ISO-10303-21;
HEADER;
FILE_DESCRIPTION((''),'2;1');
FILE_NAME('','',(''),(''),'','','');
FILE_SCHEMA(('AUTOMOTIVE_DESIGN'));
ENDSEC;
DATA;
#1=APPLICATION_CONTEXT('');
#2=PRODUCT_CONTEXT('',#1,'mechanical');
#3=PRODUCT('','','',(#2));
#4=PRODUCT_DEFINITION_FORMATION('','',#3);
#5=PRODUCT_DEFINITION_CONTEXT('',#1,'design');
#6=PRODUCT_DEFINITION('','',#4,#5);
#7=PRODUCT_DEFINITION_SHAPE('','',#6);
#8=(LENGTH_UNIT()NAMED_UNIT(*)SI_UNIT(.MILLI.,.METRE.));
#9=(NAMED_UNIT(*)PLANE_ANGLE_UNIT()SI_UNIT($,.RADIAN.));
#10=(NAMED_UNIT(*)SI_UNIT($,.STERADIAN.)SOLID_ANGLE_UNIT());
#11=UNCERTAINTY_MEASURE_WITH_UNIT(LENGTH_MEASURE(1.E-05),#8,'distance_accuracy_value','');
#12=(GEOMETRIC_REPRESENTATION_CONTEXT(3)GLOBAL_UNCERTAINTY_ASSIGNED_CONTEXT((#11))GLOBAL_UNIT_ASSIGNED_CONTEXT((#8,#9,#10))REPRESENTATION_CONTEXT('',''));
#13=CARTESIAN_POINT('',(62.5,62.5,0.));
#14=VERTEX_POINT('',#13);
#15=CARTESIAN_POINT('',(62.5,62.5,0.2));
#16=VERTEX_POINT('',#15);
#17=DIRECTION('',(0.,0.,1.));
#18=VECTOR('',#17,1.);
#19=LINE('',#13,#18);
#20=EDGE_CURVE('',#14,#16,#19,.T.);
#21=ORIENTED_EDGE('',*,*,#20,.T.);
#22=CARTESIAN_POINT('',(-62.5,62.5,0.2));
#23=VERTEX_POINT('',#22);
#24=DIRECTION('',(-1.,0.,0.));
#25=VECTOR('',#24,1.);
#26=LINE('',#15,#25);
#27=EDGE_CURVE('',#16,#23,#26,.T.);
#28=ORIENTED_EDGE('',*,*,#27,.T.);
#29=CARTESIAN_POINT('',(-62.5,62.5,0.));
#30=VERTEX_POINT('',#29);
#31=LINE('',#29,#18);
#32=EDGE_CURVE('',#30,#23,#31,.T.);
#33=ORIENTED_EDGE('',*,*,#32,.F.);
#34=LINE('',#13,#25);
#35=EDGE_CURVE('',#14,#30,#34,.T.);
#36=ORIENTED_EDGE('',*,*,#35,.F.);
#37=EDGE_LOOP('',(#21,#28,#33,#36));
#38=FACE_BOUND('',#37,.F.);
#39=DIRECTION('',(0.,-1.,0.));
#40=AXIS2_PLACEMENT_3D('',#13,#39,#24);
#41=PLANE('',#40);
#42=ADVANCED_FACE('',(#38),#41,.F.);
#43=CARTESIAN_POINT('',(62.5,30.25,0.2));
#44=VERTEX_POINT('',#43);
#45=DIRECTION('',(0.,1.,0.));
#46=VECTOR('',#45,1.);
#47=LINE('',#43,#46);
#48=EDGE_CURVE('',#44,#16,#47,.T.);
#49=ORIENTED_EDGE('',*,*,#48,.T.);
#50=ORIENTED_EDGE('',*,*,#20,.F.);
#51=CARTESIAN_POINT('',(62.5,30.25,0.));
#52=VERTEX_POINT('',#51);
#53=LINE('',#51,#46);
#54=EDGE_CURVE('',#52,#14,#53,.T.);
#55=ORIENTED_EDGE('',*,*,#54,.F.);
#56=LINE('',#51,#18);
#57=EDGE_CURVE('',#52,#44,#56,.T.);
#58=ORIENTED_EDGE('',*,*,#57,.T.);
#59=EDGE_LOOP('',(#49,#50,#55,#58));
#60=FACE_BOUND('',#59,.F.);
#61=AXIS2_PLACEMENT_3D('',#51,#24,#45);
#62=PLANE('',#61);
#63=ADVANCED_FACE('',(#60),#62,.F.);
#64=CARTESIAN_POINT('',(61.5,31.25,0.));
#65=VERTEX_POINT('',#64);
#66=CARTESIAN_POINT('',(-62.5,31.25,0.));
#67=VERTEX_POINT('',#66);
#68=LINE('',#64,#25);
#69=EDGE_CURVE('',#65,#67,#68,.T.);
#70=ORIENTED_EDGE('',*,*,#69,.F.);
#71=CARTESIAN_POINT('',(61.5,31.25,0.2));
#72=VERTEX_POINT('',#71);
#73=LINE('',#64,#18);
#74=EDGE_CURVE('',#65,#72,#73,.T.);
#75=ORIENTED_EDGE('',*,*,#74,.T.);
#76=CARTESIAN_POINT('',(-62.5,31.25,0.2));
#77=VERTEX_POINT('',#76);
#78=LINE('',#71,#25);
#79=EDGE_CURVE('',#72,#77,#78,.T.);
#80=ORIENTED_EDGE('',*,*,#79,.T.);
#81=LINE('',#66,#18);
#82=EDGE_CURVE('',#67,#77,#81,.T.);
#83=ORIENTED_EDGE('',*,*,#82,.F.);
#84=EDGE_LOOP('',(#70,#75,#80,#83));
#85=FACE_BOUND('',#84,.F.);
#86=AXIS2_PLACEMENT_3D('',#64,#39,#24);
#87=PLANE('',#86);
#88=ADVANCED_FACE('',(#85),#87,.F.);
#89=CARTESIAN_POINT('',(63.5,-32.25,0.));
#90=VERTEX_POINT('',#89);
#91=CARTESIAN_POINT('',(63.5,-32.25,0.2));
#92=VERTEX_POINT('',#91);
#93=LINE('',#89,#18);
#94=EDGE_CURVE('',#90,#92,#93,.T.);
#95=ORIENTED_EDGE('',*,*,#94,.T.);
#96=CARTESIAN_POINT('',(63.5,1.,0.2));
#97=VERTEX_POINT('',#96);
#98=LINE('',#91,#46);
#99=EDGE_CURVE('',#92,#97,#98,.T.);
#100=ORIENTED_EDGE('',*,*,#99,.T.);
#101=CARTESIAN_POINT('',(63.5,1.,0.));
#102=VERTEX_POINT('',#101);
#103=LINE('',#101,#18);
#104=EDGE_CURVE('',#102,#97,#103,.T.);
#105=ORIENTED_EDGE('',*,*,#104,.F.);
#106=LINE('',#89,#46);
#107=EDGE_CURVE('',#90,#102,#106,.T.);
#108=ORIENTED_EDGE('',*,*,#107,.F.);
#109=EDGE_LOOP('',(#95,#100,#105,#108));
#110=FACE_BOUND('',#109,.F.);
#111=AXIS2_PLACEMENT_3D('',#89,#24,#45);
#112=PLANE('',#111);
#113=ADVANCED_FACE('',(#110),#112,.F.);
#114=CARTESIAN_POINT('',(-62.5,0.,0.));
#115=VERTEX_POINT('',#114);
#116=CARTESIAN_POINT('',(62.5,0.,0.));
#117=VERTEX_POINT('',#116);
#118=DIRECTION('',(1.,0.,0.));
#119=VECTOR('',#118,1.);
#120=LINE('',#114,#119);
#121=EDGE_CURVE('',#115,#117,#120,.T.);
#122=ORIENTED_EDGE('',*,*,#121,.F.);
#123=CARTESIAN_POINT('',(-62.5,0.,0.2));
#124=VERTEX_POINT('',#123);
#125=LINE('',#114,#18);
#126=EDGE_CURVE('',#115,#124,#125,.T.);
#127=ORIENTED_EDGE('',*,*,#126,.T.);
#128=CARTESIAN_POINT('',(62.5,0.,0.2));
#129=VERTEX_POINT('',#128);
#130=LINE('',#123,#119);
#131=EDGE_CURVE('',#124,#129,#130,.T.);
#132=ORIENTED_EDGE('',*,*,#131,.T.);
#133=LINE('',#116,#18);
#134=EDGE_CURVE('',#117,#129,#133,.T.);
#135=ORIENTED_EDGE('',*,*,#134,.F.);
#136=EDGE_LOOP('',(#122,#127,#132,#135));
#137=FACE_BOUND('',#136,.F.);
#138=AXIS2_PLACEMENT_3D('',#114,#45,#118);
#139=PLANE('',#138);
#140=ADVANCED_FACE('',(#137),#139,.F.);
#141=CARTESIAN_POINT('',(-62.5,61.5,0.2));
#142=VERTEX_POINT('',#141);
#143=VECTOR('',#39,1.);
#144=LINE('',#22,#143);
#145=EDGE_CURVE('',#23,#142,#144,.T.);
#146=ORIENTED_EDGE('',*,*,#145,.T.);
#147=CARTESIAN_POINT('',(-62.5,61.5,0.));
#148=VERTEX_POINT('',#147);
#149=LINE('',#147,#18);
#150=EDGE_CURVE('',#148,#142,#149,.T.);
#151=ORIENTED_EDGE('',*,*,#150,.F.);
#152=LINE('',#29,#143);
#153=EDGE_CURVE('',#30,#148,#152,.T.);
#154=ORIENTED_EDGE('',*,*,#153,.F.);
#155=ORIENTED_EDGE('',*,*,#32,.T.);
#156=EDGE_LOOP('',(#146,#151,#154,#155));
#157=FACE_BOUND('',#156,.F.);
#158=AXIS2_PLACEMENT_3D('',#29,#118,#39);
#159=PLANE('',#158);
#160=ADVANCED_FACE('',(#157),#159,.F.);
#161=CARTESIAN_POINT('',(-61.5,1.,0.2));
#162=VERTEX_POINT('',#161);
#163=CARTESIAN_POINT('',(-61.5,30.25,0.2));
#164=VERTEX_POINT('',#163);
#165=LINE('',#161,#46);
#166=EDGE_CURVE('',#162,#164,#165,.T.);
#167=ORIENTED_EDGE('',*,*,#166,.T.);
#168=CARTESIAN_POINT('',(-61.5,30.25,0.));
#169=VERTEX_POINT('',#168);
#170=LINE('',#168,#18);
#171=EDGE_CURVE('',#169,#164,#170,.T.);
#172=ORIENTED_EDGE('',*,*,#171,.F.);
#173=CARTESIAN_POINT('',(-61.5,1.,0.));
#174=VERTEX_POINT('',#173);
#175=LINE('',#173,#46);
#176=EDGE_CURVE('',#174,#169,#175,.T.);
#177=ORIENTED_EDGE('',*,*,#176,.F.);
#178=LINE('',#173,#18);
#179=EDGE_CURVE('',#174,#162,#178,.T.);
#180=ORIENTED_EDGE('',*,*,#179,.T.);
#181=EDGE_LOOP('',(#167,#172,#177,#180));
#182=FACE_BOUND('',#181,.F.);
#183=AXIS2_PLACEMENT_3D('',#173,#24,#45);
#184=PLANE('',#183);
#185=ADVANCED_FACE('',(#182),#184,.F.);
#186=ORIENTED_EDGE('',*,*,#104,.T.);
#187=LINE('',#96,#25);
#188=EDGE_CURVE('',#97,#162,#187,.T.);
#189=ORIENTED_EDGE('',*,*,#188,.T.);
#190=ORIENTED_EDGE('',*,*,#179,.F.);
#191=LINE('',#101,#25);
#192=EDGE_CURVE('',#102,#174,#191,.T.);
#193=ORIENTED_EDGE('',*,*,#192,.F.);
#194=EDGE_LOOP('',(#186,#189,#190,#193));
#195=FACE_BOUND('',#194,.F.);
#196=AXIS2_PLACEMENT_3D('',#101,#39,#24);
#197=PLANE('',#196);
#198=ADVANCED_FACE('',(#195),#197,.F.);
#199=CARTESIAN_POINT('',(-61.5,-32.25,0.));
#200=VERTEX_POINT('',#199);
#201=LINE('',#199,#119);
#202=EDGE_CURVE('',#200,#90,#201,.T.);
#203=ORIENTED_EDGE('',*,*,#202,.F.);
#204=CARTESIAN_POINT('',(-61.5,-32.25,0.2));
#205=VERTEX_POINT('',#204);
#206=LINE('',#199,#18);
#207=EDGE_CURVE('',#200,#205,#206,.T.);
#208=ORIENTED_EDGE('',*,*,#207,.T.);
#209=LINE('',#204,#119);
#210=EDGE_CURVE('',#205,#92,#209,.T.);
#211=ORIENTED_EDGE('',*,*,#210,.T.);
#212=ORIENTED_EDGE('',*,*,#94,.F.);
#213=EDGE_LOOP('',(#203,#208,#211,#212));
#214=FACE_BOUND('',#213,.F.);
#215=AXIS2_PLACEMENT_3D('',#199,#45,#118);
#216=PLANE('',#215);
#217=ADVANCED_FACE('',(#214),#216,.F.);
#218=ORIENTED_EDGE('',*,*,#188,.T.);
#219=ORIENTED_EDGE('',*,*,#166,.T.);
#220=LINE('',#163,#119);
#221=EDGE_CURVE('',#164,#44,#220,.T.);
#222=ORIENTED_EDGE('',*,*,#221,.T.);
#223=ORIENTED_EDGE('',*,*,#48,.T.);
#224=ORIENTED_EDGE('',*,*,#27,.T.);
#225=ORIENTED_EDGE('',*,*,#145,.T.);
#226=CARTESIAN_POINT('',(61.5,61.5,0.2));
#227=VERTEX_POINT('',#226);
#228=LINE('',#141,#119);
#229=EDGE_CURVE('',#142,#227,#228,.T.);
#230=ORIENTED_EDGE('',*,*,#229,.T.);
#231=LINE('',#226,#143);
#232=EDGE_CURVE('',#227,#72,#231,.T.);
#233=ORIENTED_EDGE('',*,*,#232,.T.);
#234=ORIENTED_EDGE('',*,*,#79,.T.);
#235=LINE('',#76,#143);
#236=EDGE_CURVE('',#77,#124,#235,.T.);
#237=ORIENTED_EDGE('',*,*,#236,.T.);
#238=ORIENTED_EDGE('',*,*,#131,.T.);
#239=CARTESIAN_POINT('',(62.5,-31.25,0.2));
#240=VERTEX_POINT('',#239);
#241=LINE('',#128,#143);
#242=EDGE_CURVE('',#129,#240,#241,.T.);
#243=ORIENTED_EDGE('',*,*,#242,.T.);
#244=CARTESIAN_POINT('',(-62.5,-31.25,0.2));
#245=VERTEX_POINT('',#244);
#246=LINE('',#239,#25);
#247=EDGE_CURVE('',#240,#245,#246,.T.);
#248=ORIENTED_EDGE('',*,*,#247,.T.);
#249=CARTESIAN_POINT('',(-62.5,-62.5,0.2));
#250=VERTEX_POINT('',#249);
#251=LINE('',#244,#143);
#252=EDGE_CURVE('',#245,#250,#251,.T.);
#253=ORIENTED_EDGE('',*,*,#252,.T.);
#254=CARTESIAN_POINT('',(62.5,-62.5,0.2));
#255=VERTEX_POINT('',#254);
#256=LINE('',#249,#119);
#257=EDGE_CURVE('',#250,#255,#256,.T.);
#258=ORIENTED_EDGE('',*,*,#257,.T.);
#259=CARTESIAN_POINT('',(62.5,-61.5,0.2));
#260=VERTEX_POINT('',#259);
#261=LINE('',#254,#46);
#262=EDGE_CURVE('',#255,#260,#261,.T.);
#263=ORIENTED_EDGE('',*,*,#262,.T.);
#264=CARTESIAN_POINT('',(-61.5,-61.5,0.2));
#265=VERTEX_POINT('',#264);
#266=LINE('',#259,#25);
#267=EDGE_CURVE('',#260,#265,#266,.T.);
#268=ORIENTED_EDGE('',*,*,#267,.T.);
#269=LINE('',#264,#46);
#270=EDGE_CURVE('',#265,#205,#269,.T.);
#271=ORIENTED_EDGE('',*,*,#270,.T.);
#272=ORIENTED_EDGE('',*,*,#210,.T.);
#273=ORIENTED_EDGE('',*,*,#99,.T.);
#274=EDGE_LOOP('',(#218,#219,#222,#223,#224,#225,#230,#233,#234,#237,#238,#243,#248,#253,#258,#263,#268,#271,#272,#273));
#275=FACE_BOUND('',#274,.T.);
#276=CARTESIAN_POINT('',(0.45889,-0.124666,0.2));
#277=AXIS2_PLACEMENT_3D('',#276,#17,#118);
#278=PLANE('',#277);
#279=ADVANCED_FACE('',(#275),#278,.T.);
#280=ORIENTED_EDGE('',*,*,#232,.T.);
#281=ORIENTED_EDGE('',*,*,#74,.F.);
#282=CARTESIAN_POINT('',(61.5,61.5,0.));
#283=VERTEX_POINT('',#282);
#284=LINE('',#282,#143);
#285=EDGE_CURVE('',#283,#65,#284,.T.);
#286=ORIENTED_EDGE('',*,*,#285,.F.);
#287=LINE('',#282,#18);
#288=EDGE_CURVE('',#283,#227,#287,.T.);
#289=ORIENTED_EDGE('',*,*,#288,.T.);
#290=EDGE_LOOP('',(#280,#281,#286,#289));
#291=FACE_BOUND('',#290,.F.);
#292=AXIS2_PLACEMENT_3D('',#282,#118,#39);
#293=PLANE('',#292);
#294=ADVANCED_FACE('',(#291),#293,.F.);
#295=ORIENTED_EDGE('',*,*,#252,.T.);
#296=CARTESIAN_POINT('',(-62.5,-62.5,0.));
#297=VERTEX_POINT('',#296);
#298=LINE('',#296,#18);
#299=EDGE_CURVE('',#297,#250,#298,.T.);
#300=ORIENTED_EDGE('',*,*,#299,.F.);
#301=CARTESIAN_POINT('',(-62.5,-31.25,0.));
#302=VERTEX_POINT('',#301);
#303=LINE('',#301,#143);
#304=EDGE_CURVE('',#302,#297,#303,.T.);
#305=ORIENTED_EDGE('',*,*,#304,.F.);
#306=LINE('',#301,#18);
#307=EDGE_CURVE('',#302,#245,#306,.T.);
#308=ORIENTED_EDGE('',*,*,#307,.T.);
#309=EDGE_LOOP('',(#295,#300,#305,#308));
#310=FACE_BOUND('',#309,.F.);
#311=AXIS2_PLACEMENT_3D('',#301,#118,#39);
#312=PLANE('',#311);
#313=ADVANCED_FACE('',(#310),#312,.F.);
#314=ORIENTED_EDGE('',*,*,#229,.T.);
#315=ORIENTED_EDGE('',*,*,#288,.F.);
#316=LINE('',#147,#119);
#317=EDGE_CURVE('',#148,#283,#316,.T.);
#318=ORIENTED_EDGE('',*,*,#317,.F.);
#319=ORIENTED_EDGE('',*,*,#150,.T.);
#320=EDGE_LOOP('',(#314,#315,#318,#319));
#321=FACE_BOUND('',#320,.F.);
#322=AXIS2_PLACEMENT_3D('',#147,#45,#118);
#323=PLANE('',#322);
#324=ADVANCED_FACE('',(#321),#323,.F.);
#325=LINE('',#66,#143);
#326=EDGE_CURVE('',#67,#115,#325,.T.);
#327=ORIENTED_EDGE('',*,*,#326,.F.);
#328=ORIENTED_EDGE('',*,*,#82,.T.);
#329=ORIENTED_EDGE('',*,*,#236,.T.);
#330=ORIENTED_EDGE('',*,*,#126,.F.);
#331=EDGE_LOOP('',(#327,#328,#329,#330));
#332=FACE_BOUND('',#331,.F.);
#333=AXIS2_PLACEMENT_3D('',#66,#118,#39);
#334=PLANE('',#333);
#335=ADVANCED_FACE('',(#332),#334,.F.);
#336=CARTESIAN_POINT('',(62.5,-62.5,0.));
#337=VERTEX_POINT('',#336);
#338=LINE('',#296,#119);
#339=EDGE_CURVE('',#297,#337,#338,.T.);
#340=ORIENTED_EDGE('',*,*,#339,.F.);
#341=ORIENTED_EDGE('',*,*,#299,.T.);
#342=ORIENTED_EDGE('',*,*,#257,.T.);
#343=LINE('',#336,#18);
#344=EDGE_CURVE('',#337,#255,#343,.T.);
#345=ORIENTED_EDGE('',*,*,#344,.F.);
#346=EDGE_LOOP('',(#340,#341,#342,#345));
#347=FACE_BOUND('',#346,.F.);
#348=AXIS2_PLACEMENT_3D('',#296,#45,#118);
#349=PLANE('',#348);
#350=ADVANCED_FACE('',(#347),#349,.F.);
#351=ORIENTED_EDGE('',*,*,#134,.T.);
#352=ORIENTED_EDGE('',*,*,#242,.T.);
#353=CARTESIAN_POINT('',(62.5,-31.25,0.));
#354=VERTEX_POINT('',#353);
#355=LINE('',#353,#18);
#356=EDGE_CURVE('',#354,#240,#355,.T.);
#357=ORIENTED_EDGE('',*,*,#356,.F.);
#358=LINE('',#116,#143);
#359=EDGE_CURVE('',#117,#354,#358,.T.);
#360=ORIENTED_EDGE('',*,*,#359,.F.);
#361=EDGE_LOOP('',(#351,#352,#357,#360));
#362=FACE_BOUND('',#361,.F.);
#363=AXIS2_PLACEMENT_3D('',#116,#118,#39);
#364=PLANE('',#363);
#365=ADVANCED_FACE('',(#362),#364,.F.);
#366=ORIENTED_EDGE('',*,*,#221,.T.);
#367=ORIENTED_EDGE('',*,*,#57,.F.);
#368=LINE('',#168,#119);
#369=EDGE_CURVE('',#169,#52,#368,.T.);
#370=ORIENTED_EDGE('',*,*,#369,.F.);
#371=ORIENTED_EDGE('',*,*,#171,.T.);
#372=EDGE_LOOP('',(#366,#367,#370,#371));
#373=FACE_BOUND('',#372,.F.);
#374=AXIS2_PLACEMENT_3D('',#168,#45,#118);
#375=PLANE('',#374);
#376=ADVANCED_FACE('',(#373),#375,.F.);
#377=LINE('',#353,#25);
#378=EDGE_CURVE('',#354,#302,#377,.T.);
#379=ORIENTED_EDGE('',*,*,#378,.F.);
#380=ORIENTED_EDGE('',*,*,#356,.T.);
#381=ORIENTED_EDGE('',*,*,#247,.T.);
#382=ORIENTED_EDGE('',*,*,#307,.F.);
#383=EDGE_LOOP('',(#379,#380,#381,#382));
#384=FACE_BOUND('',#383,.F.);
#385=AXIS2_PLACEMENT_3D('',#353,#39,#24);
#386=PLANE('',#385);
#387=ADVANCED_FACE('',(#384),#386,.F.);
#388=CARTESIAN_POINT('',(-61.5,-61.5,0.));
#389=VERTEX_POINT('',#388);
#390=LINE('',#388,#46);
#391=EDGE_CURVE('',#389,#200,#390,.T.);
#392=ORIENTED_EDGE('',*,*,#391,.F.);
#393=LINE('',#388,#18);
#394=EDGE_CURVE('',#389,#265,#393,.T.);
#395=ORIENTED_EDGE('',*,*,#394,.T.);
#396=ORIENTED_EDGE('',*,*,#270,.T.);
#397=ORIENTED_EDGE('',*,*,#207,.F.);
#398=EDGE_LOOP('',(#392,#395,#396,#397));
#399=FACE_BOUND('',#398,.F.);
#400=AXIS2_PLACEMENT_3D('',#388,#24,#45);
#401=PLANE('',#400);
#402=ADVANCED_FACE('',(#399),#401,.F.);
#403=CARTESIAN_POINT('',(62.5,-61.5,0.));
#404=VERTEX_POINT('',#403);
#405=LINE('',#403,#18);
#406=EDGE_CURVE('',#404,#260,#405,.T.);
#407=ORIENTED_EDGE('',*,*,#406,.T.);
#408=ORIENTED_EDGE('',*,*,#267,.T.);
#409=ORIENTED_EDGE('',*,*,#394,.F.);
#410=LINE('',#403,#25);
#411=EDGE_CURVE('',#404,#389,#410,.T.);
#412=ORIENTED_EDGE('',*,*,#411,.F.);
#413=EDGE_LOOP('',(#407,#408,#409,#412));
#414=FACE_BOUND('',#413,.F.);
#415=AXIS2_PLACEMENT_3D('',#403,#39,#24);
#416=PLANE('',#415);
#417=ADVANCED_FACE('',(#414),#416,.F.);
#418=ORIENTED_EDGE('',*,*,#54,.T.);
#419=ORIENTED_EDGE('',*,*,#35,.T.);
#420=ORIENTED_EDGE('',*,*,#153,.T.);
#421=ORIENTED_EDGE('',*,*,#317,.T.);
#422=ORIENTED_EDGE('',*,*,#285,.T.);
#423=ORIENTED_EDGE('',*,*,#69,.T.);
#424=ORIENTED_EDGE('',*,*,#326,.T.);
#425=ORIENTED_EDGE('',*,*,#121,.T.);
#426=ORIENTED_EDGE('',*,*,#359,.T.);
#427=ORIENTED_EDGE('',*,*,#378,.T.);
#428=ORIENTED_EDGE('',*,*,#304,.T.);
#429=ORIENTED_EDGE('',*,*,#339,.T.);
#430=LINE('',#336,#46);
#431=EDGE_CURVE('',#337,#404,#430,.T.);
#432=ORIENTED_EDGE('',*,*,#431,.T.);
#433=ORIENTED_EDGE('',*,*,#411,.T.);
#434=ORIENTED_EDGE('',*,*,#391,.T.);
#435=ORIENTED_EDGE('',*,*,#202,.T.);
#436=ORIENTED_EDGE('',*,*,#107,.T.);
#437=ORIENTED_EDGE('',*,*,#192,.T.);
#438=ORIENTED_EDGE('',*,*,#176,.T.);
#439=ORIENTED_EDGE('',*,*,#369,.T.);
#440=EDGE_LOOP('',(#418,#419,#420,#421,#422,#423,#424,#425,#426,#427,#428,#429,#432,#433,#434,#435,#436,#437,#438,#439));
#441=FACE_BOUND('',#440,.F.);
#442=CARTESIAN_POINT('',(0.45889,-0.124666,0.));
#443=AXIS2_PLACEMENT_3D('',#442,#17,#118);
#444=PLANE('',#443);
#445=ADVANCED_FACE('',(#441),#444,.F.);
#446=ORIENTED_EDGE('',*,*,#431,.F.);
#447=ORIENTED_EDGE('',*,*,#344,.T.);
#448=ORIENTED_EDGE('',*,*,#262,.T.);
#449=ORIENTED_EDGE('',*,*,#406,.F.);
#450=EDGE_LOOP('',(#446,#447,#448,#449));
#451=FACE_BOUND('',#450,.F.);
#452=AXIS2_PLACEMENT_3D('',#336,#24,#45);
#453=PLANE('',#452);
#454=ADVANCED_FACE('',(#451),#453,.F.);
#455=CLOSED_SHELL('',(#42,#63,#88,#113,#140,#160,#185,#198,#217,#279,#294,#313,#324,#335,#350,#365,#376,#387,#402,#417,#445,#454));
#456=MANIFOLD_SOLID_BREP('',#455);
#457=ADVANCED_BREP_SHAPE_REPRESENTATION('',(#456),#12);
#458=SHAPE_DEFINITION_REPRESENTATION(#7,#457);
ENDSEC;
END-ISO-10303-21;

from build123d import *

# Parameters (mm, degrees)
F1_DEPTH = 0.2


with BuildPart() as f1:
    # F0 (on Top) → F1 (new body)
    with BuildSketch(Plane.XY):
        Polygon((61.5, 31.25), (-62.5, 31.25), (-62.5, 0), (62.5, 0), (62.5, -31.25), (-62.5, -31.25), (-62.5, -62.5), (62.5, -62.5), (62.5, -61.5), (-61.5, -61.5), (-61.5, -32.25), (63.5, -32.25), (63.5, 1), (-61.5, 1), (-61.5, 30.25), (62.5, 30.25), (62.5, 62.5), (-62.5, 62.5), (-62.5, 61.5), (61.5, 61.5), align=None)
    extrude(amount=F1_DEPTH)


solid = f1.part
